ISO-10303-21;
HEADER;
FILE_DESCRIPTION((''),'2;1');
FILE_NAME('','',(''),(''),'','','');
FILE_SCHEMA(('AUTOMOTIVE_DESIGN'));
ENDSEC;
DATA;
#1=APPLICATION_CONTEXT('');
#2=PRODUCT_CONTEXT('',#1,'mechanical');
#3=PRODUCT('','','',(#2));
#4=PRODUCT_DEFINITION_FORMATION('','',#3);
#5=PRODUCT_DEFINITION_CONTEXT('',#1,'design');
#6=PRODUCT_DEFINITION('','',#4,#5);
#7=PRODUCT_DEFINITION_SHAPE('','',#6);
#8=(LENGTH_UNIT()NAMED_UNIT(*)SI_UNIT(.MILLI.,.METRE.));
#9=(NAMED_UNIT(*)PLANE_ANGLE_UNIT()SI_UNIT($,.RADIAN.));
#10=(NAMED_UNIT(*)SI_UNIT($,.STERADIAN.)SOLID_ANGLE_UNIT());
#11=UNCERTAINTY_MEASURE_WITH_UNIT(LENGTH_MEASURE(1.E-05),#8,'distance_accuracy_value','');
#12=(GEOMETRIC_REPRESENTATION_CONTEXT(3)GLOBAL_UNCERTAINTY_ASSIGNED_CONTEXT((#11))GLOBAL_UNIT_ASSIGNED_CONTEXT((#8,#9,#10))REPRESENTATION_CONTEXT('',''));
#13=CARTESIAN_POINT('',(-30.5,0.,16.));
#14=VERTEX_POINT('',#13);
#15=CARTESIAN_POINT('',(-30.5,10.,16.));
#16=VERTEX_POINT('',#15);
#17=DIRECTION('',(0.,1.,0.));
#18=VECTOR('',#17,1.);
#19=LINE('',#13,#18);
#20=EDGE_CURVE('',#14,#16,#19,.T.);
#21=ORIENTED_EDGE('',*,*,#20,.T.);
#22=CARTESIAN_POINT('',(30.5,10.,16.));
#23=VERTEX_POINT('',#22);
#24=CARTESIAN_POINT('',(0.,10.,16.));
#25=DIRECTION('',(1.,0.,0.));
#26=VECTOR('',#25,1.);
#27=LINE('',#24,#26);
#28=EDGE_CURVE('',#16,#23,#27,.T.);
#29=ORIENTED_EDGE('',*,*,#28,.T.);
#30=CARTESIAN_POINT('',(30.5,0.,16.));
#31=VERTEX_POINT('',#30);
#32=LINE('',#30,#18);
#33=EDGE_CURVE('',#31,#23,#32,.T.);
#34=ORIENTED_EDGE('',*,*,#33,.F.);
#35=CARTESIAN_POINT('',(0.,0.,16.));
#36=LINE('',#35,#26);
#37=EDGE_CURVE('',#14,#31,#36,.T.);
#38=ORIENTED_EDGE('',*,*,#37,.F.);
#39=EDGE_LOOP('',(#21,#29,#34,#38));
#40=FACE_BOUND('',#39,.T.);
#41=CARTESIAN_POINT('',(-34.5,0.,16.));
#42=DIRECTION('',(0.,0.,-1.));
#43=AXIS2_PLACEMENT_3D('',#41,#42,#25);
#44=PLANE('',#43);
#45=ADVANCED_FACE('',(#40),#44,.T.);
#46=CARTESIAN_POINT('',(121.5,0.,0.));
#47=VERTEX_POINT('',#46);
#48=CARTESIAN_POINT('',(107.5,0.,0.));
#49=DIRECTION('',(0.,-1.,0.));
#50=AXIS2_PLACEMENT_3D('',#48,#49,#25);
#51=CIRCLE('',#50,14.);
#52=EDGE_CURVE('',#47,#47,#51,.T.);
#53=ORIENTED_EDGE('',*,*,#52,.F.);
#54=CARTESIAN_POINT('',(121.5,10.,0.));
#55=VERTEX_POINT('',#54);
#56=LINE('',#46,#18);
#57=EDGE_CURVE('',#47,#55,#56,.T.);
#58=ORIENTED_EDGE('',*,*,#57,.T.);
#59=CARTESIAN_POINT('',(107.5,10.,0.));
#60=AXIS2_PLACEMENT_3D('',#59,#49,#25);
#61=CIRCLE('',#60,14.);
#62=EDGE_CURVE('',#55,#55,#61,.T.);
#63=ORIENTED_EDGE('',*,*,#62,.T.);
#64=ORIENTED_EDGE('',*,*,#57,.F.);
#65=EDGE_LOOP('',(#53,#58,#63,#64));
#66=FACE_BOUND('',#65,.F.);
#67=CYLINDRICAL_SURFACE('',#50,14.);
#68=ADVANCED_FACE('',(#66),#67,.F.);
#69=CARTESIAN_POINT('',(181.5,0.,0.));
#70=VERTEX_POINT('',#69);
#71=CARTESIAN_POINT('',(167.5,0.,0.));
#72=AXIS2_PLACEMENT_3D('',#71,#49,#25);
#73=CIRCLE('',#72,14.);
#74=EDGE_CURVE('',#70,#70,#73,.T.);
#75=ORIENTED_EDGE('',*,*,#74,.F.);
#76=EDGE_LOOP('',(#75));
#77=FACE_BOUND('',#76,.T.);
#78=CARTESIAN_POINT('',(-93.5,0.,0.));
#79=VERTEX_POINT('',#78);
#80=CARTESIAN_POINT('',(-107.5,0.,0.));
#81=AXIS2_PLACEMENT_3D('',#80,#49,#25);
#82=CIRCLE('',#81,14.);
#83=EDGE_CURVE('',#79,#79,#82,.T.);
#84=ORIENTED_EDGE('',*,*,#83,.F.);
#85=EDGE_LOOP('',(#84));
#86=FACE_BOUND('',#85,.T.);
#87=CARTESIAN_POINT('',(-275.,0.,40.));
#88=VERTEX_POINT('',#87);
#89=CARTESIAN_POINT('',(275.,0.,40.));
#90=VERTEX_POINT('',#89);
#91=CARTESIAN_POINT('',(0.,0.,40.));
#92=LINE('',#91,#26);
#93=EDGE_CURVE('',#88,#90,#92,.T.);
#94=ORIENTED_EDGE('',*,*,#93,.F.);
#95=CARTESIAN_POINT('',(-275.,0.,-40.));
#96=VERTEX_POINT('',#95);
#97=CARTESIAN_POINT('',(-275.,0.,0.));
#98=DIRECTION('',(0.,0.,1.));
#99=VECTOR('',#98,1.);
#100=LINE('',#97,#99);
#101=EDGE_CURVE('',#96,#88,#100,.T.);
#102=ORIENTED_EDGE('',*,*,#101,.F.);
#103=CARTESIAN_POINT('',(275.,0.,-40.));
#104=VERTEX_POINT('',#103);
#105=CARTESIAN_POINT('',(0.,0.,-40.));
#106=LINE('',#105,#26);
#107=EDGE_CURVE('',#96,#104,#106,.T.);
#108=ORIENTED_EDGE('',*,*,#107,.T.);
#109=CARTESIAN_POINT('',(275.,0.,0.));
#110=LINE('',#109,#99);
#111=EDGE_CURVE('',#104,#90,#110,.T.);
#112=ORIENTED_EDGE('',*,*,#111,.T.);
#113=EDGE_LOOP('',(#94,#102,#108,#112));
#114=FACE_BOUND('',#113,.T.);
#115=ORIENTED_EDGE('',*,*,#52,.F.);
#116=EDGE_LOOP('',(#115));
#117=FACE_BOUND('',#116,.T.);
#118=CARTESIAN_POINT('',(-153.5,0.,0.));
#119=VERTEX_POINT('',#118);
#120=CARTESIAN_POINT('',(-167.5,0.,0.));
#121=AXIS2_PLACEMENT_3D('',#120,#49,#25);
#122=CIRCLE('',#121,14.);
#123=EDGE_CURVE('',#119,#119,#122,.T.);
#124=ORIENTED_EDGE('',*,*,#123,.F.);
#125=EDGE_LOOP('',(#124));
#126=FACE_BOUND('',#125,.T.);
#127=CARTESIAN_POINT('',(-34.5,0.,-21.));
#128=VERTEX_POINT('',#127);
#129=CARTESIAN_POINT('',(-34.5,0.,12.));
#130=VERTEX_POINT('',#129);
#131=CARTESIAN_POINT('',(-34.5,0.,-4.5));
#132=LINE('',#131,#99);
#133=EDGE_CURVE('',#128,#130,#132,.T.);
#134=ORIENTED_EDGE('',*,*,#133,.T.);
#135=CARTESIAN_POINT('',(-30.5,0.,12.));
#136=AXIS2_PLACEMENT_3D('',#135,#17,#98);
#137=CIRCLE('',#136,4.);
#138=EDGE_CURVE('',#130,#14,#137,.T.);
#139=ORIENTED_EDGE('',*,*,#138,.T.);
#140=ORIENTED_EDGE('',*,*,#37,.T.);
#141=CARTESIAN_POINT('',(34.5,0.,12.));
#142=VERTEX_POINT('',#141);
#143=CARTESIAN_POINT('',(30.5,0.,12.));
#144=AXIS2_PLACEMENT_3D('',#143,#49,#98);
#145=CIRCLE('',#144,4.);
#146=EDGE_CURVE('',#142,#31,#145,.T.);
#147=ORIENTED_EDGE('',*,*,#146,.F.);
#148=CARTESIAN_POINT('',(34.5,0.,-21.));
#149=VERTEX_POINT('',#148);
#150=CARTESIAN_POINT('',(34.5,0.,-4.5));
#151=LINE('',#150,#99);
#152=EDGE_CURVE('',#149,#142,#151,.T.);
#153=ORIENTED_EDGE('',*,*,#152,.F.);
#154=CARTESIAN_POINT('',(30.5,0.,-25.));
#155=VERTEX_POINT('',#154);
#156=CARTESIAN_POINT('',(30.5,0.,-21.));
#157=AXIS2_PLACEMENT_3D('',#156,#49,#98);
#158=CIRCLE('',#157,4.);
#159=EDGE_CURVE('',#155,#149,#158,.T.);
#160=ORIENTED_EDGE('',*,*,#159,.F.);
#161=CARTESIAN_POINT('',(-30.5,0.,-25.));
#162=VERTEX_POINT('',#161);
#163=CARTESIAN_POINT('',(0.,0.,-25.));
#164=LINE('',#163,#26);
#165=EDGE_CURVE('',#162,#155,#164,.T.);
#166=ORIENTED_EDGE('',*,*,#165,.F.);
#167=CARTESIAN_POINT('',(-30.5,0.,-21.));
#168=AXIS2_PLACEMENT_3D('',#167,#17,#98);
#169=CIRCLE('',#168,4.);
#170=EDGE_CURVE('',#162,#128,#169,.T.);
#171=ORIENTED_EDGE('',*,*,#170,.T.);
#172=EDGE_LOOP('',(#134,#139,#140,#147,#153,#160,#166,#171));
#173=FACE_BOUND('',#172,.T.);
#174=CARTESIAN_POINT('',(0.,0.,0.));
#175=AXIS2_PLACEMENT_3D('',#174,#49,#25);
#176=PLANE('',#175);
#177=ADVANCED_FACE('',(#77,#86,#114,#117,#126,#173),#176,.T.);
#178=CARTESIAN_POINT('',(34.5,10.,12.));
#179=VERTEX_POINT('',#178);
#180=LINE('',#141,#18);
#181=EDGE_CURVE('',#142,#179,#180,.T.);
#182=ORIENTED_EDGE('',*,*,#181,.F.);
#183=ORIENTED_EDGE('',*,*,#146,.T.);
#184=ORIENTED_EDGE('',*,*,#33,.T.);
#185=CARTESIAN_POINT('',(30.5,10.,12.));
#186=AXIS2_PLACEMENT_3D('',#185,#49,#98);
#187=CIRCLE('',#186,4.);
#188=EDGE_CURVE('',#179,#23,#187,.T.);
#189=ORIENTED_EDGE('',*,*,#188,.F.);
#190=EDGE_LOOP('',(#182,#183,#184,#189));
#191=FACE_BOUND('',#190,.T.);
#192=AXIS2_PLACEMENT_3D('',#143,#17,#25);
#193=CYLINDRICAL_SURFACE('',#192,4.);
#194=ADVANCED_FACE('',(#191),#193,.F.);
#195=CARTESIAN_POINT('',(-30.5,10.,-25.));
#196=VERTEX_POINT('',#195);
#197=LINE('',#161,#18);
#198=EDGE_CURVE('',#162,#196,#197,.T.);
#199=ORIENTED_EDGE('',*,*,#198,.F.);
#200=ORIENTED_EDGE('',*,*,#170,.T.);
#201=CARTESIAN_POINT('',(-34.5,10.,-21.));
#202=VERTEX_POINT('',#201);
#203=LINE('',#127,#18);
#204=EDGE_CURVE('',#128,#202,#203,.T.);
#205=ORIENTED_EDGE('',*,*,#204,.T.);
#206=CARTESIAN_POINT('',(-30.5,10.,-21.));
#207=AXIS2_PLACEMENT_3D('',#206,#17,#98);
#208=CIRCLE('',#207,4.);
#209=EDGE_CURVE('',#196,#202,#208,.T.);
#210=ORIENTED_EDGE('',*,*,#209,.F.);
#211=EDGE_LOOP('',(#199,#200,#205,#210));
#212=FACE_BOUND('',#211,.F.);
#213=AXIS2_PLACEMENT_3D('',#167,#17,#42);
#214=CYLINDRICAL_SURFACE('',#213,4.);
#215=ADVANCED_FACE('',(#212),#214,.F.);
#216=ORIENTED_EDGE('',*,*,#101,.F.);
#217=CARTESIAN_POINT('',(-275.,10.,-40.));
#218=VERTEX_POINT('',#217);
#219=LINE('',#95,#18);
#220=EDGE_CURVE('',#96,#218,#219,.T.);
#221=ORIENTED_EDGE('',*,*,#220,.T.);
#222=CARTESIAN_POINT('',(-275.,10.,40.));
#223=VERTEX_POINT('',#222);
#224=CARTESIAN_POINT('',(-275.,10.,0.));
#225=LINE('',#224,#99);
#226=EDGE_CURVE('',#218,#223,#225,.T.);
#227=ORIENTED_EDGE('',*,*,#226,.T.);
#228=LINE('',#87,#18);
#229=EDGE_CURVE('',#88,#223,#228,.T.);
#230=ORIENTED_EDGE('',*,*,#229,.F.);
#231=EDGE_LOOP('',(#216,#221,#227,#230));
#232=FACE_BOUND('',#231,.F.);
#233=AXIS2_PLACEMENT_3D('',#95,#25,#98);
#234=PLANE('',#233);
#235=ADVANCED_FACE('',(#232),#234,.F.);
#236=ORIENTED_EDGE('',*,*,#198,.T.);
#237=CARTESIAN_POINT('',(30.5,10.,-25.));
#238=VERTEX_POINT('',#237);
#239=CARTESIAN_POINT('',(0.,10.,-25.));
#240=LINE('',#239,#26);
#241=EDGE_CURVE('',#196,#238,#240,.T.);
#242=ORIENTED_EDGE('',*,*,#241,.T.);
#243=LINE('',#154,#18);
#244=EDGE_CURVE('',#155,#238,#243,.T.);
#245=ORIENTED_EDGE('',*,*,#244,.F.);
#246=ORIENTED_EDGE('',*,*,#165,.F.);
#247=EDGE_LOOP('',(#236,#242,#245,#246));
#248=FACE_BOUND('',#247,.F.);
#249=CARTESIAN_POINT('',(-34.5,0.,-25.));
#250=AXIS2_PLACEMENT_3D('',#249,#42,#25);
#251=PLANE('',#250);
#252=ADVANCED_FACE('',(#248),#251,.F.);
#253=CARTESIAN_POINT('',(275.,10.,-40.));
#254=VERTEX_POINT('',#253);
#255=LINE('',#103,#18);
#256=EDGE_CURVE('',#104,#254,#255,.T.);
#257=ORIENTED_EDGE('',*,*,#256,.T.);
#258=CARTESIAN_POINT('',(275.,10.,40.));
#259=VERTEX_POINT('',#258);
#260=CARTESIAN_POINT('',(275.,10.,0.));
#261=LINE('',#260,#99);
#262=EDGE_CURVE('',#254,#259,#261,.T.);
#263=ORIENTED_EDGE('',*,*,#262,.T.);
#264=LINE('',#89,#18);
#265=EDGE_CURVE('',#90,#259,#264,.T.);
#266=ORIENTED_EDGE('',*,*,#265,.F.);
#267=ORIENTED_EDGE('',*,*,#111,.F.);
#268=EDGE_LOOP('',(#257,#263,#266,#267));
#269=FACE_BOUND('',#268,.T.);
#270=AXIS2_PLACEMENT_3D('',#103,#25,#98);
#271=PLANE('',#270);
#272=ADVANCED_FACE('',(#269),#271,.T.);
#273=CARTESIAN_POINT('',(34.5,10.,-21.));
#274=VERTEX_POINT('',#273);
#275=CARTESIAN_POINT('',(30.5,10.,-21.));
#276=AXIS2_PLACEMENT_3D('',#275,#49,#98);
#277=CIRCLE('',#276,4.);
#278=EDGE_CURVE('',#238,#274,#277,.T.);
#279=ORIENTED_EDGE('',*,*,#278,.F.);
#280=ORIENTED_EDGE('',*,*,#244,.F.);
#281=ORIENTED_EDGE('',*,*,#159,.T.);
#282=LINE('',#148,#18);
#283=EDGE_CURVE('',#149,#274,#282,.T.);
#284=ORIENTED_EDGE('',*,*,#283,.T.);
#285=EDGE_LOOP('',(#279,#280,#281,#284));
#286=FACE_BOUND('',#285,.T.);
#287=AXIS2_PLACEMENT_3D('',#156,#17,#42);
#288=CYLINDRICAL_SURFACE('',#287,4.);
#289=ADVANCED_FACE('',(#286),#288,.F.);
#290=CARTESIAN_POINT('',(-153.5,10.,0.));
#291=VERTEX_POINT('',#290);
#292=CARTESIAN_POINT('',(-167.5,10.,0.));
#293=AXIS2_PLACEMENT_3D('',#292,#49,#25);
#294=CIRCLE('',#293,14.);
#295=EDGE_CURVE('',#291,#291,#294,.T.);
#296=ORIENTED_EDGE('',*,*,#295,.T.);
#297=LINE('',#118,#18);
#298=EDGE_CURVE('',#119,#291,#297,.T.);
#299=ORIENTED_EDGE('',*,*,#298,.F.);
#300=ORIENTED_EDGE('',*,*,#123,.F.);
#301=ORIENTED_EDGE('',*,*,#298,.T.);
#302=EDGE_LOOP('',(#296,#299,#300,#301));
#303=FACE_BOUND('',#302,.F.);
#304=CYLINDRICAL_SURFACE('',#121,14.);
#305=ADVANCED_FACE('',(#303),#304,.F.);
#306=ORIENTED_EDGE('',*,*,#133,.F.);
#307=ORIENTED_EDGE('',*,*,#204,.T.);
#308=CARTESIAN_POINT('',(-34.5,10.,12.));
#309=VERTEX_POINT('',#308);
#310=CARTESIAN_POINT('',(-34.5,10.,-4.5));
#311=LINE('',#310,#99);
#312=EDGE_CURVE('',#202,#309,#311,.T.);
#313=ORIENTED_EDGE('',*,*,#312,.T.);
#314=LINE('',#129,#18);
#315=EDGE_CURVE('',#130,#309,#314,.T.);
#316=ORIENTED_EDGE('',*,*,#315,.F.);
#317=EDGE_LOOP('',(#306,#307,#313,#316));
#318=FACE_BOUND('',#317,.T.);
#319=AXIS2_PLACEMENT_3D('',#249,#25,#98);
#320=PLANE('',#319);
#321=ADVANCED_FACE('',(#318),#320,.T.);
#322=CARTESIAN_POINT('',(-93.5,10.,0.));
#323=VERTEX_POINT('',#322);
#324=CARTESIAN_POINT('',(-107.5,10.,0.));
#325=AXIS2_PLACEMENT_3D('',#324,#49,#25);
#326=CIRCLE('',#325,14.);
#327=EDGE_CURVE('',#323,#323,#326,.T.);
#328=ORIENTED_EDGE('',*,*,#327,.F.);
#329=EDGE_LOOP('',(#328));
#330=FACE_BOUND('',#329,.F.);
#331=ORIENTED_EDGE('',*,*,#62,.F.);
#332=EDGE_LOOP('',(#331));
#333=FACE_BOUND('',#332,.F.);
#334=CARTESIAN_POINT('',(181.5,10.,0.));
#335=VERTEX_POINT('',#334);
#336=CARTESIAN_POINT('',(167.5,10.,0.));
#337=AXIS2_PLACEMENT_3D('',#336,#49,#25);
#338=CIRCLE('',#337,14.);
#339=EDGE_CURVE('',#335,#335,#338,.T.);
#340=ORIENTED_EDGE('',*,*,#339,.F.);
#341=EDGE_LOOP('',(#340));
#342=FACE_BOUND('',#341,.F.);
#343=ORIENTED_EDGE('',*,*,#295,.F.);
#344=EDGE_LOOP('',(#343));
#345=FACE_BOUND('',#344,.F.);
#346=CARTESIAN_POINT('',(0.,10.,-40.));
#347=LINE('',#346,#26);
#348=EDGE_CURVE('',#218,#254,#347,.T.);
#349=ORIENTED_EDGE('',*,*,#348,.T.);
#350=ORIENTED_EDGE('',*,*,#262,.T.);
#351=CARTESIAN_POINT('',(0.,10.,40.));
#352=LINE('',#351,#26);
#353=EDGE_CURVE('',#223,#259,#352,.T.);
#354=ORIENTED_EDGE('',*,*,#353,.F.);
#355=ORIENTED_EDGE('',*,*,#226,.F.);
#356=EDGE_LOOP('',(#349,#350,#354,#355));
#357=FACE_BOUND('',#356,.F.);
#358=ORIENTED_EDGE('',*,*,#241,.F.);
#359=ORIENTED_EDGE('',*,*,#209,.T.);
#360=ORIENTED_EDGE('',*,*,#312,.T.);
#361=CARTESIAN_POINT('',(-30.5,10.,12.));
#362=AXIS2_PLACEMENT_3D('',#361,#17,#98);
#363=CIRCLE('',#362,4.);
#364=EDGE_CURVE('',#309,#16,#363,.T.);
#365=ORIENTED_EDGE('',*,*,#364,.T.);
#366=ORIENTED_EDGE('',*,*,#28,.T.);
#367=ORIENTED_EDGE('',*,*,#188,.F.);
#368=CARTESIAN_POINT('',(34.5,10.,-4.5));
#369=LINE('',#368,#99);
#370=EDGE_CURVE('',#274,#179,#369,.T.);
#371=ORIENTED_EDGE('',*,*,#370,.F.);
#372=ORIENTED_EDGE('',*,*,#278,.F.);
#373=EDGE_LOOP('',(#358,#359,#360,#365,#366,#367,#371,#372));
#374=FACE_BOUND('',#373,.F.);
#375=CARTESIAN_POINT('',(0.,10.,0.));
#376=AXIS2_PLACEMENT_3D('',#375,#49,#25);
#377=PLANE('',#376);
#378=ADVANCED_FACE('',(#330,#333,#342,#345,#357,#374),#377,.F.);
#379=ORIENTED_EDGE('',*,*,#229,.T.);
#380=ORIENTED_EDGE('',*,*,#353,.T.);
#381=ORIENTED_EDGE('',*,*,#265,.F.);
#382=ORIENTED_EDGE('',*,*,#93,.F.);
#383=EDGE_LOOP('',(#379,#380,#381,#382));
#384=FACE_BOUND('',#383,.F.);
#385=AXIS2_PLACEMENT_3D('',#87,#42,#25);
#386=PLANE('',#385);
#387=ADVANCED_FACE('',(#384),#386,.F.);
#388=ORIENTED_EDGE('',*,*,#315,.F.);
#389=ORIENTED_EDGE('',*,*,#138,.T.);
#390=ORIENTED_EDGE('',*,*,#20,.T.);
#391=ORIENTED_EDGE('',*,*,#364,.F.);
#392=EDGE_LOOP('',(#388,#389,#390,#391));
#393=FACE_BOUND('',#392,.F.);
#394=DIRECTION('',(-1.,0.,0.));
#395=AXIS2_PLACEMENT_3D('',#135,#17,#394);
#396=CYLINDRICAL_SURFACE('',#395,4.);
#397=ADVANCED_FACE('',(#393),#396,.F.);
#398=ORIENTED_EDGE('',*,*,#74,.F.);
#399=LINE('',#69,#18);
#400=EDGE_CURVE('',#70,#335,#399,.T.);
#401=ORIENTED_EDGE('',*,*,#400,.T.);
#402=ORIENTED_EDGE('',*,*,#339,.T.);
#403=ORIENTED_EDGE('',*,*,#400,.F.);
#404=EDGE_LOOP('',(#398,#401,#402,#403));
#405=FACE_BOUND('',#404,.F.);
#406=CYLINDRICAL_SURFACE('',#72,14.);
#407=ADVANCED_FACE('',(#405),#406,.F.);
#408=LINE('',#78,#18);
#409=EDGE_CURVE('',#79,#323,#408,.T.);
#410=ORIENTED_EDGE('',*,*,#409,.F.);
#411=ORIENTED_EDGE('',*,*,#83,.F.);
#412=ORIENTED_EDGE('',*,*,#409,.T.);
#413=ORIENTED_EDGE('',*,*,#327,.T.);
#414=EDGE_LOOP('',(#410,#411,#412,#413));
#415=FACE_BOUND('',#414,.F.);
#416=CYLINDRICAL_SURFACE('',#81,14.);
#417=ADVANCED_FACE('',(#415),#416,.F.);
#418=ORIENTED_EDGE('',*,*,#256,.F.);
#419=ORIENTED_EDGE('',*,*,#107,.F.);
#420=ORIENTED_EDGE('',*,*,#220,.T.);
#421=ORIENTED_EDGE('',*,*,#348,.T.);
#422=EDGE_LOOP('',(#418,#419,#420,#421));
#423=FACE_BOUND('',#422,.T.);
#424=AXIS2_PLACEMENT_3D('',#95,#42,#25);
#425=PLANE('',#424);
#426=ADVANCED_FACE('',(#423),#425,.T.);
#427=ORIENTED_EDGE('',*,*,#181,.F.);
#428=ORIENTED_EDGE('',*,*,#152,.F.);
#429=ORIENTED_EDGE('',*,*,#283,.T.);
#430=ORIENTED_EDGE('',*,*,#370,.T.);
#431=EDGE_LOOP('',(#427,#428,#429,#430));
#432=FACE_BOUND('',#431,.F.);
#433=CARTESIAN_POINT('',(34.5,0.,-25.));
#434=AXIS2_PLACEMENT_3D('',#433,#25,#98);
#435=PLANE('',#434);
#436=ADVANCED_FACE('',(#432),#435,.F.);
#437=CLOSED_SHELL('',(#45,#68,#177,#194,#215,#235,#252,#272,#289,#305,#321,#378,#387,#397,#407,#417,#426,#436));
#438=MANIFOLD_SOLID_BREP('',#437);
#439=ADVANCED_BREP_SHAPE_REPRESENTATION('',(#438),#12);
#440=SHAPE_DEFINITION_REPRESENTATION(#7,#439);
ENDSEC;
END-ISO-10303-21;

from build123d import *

# Parameters (mm, degrees)
F0_W     = 550
F0_H     = 80
F0_W_2   = 69
F0_H_2   = 41
F0_R     = 14
F1_DEPTH = 10
F2_R     = 4


with BuildPart() as f1:
    # F0 (on Front) → F1 (new body)
    with BuildSketch(Plane.XZ):
        Rectangle(F0_W, F0_H)
        with Locations((0, -4.5)):
            Rectangle(F0_W_2, F0_H_2, mode=Mode.SUBTRACT)
        with Locations((-167.5, 0)):
            Circle(F0_R, mode=Mode.SUBTRACT)
        with Locations((-107.5, 0)):
            Circle(F0_R, mode=Mode.SUBTRACT)
        with Locations((107.5, 0)):
            Circle(F0_R, mode=Mode.SUBTRACT)
        with Locations((167.5, 0)):
            Circle(F0_R, mode=Mode.SUBTRACT)
    extrude(amount=-F1_DEPTH)

    # F2
    f2_edges = [f1.edges().sort_by_distance(p)[0] for p in [
        (-34.5, 5, 16),
        (34.5, 5, 16),
        (34.5, 5, -25),
        (-34.5, 5, -25),
    ]]
    fillet(f2_edges, radius=F2_R)


solid = f1.part
